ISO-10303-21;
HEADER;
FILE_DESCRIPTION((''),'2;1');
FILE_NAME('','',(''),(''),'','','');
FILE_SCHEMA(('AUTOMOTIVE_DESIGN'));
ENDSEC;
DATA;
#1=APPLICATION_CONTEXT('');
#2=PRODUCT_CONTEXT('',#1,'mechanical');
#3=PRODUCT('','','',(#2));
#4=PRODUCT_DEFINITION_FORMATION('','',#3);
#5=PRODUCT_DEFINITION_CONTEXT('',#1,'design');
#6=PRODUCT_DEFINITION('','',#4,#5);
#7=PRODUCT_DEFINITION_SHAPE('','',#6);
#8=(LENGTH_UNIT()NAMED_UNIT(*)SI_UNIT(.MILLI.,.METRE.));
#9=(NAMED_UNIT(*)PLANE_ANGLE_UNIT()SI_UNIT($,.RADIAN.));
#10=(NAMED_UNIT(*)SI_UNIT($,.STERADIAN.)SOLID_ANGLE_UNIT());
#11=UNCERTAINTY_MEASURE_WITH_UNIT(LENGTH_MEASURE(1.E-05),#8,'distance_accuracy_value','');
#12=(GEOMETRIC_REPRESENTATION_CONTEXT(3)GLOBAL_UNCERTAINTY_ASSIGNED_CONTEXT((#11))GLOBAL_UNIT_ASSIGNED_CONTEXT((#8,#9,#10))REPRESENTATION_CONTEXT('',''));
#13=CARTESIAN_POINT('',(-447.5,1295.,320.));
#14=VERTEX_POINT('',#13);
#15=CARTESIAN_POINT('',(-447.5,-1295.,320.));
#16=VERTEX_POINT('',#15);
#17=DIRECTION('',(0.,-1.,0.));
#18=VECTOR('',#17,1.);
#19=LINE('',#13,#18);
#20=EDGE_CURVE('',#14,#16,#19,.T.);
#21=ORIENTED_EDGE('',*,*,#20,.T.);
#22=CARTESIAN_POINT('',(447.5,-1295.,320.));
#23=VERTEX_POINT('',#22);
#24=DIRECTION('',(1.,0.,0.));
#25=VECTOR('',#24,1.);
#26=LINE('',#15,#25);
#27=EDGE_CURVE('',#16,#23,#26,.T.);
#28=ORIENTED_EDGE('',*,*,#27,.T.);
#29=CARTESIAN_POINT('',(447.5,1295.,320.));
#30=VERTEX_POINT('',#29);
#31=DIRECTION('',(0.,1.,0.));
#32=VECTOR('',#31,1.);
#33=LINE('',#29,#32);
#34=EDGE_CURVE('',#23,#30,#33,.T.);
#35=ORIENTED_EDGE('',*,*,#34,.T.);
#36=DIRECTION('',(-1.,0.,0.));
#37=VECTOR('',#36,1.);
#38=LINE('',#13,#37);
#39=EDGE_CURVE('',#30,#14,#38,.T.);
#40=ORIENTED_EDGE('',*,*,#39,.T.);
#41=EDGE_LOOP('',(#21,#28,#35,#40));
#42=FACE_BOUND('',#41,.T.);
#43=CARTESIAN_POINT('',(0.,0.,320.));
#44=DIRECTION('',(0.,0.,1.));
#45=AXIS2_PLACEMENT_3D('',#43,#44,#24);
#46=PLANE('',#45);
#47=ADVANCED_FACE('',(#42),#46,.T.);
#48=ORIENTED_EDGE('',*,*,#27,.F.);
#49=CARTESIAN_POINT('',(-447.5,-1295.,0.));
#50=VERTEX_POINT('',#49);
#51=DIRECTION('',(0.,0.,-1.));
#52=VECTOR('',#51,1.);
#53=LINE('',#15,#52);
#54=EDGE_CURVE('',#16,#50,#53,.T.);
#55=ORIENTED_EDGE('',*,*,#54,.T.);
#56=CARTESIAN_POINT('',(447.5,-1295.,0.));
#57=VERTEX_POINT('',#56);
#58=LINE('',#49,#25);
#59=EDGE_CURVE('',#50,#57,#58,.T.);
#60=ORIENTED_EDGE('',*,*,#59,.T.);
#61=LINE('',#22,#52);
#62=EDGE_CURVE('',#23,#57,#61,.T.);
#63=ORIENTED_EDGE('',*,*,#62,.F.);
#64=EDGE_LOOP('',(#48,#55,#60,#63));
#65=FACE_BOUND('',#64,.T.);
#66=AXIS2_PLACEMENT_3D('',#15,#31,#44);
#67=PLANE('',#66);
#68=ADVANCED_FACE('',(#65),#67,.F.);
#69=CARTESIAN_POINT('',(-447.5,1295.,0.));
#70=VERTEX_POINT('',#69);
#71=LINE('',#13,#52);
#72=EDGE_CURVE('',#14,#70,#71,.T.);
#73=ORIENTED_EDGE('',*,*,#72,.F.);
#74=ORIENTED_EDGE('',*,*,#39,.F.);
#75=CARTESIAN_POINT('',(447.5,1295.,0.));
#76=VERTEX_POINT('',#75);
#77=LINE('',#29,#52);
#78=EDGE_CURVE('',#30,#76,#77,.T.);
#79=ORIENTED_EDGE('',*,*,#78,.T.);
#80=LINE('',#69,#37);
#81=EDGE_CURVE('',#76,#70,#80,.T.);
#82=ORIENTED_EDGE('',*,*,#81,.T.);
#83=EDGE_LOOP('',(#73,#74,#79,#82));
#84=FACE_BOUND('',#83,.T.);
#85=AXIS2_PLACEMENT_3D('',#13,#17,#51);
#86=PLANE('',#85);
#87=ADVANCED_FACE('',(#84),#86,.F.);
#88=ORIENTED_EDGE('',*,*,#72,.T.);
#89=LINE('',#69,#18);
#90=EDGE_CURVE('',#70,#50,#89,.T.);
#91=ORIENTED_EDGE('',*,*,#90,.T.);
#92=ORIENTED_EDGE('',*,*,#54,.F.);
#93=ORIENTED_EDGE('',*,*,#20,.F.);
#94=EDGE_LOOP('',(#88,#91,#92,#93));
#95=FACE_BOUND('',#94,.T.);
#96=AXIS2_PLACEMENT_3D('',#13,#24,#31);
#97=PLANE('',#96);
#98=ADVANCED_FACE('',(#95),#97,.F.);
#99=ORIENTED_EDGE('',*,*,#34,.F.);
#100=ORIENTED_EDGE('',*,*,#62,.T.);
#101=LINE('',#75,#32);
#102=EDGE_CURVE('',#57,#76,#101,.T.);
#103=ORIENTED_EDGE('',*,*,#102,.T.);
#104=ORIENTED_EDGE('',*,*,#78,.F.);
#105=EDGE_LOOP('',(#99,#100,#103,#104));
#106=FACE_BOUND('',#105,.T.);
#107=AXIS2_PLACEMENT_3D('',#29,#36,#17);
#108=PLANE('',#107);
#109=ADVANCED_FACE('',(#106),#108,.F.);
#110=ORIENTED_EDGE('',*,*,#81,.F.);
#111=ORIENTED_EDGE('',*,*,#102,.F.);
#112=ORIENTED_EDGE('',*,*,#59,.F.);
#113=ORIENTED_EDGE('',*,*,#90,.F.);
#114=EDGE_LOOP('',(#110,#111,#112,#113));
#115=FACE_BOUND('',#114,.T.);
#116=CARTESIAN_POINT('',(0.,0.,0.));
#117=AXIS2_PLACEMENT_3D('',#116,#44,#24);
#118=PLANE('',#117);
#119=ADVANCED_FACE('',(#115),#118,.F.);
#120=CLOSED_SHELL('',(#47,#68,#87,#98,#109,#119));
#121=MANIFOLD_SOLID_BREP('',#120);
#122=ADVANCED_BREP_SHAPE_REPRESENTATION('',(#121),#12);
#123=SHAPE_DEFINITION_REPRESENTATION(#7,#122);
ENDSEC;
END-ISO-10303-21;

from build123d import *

# Parameters (mm, degrees)
SKETCH_1_W      = 895
SKETCH_1_H      = 2590
EXTRUDE_1_DEPTH = 320


with BuildPart() as part:
    # Эскиз1 → Бобышка-Вытянуть1 (new body)
    with BuildSketch(Plane.XY):
        Rectangle(SKETCH_1_W, SKETCH_1_H)
    extrude(amount=EXTRUDE_1_DEPTH)


solid = part.part
